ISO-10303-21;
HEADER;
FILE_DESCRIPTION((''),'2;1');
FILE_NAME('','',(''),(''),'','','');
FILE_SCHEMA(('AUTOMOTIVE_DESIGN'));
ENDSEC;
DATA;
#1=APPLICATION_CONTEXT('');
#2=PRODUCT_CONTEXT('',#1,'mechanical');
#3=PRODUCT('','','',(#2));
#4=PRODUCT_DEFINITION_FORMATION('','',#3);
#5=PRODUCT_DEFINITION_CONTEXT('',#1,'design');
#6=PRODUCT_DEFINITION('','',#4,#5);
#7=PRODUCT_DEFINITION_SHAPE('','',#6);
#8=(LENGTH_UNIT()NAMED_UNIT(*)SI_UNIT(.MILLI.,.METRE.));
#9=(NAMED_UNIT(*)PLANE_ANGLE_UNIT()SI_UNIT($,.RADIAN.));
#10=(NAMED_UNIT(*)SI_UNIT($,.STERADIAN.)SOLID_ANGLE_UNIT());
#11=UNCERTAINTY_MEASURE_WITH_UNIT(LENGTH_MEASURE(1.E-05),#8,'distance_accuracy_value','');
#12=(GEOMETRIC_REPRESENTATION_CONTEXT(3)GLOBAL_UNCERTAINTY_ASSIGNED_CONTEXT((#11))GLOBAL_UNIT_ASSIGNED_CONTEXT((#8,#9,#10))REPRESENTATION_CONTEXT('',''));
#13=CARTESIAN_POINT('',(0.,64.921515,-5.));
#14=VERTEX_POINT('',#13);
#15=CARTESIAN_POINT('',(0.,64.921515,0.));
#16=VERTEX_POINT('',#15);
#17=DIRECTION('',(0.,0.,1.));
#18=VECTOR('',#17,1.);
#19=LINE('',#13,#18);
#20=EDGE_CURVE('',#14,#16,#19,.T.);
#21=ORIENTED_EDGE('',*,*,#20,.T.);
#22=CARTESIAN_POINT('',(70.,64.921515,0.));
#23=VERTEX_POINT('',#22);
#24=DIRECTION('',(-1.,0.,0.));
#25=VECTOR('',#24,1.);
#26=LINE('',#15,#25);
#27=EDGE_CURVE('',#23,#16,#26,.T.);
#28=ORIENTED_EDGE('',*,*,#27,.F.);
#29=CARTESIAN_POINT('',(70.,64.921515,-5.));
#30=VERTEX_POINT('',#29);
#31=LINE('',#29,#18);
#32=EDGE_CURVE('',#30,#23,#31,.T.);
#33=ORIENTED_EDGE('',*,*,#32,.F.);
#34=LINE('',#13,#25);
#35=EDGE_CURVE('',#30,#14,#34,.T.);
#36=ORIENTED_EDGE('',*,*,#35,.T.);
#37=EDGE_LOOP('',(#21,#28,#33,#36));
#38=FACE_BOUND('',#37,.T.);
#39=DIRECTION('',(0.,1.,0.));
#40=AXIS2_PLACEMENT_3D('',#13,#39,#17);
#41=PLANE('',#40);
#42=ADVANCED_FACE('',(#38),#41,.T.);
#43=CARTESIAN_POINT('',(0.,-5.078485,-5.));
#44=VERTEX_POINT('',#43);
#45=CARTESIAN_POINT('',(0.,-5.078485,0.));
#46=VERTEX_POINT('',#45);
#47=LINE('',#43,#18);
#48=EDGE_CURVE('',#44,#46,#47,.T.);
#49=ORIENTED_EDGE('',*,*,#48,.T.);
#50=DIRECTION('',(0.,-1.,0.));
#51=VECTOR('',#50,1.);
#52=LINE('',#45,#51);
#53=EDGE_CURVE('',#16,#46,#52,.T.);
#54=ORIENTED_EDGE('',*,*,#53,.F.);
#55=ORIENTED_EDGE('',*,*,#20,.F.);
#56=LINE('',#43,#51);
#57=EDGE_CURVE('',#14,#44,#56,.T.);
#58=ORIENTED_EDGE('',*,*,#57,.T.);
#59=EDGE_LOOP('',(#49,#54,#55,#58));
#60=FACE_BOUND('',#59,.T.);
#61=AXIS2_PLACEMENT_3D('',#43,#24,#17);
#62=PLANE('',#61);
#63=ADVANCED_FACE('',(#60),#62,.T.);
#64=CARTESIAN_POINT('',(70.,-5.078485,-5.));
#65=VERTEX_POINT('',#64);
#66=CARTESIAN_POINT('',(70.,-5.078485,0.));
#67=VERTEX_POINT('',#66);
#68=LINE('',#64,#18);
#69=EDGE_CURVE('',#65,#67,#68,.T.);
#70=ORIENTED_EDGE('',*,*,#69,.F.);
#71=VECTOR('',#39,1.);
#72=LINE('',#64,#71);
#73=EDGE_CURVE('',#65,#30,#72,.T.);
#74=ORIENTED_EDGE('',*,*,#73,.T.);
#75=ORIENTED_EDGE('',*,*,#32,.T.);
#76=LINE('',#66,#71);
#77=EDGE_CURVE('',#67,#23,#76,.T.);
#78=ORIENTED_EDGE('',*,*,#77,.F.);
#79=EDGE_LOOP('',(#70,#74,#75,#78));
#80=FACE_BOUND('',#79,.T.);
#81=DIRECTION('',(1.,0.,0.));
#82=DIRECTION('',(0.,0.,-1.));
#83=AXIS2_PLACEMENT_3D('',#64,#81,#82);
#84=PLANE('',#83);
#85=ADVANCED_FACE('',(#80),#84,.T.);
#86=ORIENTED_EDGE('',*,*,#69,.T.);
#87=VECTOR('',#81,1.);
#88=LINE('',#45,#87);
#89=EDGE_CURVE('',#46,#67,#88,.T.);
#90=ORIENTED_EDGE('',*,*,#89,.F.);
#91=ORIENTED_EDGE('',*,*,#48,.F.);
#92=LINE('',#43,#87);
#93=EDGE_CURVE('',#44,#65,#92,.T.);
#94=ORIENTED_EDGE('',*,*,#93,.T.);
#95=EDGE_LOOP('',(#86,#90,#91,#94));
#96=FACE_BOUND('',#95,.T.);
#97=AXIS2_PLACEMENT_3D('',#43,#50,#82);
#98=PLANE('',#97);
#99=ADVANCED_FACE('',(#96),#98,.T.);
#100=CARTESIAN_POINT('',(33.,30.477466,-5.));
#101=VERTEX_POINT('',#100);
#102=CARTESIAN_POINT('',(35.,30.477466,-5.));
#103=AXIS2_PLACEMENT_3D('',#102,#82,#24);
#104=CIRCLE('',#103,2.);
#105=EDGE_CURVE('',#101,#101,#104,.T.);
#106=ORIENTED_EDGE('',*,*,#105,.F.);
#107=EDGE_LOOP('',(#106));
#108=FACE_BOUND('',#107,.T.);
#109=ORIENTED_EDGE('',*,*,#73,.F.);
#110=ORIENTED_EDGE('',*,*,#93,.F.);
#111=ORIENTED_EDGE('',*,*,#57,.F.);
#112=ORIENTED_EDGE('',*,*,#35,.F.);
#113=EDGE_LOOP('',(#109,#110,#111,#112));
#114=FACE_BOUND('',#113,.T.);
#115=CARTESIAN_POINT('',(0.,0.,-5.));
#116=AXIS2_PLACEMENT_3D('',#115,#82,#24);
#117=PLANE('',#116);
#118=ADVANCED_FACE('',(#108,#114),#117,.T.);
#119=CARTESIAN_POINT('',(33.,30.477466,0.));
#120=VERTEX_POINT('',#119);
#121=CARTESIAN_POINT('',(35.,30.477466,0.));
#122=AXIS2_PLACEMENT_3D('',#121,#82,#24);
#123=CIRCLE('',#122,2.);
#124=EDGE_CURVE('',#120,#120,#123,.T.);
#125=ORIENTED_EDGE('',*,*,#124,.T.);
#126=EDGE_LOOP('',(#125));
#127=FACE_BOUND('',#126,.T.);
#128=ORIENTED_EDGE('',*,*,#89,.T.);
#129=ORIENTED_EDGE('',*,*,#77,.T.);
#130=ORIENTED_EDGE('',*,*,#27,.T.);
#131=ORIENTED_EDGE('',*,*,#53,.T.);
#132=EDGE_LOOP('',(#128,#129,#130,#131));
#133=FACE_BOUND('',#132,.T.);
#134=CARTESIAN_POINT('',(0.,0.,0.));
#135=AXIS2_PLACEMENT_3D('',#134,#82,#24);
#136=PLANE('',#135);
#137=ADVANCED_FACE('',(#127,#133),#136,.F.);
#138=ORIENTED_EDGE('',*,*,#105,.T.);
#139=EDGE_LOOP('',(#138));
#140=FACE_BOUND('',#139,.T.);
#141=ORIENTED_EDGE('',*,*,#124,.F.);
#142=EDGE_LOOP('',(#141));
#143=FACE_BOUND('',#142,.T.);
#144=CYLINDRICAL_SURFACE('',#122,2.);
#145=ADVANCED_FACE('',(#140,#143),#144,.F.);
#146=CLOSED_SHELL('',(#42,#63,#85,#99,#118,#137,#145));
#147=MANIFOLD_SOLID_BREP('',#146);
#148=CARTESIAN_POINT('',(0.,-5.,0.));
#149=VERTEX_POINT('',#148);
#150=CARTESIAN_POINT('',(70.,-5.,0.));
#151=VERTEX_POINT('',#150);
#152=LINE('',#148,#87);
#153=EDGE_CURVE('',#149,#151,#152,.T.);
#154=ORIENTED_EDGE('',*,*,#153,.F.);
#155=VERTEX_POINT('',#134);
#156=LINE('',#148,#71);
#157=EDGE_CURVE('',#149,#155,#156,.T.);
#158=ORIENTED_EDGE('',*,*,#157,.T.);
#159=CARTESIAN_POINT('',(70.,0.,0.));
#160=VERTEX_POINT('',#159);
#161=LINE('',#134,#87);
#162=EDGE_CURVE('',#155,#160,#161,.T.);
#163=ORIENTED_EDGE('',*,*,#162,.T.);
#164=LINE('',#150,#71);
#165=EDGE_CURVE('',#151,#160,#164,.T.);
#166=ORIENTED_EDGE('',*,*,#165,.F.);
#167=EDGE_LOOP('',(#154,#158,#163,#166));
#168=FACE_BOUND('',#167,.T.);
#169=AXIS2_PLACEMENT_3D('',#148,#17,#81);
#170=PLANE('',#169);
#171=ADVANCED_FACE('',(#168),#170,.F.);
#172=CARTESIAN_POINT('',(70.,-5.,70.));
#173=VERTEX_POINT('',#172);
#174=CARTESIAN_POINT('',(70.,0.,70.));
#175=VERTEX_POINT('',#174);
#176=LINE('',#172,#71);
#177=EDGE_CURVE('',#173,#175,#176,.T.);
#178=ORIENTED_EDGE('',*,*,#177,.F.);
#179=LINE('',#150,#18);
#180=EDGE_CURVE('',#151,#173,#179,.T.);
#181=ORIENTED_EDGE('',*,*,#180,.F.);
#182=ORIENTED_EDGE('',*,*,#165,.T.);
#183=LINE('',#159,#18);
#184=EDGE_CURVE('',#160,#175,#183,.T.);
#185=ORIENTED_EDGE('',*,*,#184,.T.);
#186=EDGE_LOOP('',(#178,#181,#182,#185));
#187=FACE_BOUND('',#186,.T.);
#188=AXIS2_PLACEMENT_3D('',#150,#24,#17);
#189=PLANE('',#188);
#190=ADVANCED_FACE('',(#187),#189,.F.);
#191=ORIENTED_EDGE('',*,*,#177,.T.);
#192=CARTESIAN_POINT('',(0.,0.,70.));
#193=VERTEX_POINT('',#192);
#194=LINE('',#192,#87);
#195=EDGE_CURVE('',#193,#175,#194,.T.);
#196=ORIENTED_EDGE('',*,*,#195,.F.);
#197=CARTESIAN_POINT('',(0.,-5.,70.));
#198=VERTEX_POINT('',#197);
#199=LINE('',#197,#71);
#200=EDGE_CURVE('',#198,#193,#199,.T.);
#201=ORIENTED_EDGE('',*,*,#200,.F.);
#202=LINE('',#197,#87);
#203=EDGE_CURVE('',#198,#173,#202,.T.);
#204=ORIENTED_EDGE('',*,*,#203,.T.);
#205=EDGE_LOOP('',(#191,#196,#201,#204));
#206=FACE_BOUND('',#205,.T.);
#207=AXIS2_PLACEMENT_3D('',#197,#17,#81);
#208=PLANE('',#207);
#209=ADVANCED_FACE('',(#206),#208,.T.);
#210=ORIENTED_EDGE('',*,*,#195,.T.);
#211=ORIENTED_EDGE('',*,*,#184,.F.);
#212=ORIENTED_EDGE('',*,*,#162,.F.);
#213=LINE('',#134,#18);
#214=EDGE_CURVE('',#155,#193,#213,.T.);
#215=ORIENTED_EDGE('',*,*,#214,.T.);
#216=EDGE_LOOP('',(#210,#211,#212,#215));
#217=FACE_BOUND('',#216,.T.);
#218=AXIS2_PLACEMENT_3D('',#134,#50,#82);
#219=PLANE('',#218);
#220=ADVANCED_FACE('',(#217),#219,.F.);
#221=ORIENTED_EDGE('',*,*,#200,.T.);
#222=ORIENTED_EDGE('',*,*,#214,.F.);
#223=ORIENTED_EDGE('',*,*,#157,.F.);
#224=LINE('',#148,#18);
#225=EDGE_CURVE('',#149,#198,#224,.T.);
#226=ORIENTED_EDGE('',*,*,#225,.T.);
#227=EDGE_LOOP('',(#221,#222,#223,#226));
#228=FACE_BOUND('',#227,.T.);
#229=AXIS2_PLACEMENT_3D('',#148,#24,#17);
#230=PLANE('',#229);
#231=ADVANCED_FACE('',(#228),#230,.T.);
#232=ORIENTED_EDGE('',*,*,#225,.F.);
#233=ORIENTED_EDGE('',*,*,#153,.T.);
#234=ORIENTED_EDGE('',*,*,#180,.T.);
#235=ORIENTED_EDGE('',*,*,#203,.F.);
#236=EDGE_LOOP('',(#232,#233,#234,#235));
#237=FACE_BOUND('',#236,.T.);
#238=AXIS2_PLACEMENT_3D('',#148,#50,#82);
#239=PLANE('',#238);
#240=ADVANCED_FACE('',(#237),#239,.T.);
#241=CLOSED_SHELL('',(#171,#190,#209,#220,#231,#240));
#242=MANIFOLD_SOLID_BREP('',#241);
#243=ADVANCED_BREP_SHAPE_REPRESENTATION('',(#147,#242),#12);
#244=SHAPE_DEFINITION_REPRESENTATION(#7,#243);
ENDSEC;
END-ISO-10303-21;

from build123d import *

# Parameters (mm, degrees)
SKETCH2_W           = 70
SKETCH2_H           = 70
BOSS_EXTRUDE1_DEPTH = 5
SKETCH1_W           = 70
SKETCH1_H           = 70
BOSS_EXTRUDE2_DEPTH = 5
SKETCH5_R           = 2
CUT_EXTRUDE1_DEPTH  = 5


with BuildPart() as part:
    # Sketch2 → Boss-Extrude1 (new body)
    with BuildSketch(Plane(origin=(0, -5.078485025, 0), x_dir=(1, 0, 0), z_dir=(0, 0, 1))):
        with Locations((35, 35)):
            Rectangle(SKETCH2_W, SKETCH2_H)
    extrude(amount=-BOSS_EXTRUDE1_DEPTH)

    # Sketch5 → Cut-Extrude1 (cut)
    with BuildSketch(Plane(origin=(0, 0, -5), x_dir=(-1, 0, 0), z_dir=(0, 0, -1))):
        with Locations((-35, 30.477465887)):
            Circle(SKETCH5_R)
    extrude(amount=-CUT_EXTRUDE1_DEPTH, mode=Mode.SUBTRACT)


with BuildPart() as body_2:
    # Sketch1 → Boss-Extrude2 (new body)
    with BuildSketch(Plane(origin=(0, 0, 0), x_dir=(1, 0, 0), z_dir=(0, 1, 0))):
        with Locations((35, -35)):
            Rectangle(SKETCH1_W, SKETCH1_H)
    extrude(amount=-BOSS_EXTRUDE2_DEPTH)


solid = Compound([part.part, body_2.part])
